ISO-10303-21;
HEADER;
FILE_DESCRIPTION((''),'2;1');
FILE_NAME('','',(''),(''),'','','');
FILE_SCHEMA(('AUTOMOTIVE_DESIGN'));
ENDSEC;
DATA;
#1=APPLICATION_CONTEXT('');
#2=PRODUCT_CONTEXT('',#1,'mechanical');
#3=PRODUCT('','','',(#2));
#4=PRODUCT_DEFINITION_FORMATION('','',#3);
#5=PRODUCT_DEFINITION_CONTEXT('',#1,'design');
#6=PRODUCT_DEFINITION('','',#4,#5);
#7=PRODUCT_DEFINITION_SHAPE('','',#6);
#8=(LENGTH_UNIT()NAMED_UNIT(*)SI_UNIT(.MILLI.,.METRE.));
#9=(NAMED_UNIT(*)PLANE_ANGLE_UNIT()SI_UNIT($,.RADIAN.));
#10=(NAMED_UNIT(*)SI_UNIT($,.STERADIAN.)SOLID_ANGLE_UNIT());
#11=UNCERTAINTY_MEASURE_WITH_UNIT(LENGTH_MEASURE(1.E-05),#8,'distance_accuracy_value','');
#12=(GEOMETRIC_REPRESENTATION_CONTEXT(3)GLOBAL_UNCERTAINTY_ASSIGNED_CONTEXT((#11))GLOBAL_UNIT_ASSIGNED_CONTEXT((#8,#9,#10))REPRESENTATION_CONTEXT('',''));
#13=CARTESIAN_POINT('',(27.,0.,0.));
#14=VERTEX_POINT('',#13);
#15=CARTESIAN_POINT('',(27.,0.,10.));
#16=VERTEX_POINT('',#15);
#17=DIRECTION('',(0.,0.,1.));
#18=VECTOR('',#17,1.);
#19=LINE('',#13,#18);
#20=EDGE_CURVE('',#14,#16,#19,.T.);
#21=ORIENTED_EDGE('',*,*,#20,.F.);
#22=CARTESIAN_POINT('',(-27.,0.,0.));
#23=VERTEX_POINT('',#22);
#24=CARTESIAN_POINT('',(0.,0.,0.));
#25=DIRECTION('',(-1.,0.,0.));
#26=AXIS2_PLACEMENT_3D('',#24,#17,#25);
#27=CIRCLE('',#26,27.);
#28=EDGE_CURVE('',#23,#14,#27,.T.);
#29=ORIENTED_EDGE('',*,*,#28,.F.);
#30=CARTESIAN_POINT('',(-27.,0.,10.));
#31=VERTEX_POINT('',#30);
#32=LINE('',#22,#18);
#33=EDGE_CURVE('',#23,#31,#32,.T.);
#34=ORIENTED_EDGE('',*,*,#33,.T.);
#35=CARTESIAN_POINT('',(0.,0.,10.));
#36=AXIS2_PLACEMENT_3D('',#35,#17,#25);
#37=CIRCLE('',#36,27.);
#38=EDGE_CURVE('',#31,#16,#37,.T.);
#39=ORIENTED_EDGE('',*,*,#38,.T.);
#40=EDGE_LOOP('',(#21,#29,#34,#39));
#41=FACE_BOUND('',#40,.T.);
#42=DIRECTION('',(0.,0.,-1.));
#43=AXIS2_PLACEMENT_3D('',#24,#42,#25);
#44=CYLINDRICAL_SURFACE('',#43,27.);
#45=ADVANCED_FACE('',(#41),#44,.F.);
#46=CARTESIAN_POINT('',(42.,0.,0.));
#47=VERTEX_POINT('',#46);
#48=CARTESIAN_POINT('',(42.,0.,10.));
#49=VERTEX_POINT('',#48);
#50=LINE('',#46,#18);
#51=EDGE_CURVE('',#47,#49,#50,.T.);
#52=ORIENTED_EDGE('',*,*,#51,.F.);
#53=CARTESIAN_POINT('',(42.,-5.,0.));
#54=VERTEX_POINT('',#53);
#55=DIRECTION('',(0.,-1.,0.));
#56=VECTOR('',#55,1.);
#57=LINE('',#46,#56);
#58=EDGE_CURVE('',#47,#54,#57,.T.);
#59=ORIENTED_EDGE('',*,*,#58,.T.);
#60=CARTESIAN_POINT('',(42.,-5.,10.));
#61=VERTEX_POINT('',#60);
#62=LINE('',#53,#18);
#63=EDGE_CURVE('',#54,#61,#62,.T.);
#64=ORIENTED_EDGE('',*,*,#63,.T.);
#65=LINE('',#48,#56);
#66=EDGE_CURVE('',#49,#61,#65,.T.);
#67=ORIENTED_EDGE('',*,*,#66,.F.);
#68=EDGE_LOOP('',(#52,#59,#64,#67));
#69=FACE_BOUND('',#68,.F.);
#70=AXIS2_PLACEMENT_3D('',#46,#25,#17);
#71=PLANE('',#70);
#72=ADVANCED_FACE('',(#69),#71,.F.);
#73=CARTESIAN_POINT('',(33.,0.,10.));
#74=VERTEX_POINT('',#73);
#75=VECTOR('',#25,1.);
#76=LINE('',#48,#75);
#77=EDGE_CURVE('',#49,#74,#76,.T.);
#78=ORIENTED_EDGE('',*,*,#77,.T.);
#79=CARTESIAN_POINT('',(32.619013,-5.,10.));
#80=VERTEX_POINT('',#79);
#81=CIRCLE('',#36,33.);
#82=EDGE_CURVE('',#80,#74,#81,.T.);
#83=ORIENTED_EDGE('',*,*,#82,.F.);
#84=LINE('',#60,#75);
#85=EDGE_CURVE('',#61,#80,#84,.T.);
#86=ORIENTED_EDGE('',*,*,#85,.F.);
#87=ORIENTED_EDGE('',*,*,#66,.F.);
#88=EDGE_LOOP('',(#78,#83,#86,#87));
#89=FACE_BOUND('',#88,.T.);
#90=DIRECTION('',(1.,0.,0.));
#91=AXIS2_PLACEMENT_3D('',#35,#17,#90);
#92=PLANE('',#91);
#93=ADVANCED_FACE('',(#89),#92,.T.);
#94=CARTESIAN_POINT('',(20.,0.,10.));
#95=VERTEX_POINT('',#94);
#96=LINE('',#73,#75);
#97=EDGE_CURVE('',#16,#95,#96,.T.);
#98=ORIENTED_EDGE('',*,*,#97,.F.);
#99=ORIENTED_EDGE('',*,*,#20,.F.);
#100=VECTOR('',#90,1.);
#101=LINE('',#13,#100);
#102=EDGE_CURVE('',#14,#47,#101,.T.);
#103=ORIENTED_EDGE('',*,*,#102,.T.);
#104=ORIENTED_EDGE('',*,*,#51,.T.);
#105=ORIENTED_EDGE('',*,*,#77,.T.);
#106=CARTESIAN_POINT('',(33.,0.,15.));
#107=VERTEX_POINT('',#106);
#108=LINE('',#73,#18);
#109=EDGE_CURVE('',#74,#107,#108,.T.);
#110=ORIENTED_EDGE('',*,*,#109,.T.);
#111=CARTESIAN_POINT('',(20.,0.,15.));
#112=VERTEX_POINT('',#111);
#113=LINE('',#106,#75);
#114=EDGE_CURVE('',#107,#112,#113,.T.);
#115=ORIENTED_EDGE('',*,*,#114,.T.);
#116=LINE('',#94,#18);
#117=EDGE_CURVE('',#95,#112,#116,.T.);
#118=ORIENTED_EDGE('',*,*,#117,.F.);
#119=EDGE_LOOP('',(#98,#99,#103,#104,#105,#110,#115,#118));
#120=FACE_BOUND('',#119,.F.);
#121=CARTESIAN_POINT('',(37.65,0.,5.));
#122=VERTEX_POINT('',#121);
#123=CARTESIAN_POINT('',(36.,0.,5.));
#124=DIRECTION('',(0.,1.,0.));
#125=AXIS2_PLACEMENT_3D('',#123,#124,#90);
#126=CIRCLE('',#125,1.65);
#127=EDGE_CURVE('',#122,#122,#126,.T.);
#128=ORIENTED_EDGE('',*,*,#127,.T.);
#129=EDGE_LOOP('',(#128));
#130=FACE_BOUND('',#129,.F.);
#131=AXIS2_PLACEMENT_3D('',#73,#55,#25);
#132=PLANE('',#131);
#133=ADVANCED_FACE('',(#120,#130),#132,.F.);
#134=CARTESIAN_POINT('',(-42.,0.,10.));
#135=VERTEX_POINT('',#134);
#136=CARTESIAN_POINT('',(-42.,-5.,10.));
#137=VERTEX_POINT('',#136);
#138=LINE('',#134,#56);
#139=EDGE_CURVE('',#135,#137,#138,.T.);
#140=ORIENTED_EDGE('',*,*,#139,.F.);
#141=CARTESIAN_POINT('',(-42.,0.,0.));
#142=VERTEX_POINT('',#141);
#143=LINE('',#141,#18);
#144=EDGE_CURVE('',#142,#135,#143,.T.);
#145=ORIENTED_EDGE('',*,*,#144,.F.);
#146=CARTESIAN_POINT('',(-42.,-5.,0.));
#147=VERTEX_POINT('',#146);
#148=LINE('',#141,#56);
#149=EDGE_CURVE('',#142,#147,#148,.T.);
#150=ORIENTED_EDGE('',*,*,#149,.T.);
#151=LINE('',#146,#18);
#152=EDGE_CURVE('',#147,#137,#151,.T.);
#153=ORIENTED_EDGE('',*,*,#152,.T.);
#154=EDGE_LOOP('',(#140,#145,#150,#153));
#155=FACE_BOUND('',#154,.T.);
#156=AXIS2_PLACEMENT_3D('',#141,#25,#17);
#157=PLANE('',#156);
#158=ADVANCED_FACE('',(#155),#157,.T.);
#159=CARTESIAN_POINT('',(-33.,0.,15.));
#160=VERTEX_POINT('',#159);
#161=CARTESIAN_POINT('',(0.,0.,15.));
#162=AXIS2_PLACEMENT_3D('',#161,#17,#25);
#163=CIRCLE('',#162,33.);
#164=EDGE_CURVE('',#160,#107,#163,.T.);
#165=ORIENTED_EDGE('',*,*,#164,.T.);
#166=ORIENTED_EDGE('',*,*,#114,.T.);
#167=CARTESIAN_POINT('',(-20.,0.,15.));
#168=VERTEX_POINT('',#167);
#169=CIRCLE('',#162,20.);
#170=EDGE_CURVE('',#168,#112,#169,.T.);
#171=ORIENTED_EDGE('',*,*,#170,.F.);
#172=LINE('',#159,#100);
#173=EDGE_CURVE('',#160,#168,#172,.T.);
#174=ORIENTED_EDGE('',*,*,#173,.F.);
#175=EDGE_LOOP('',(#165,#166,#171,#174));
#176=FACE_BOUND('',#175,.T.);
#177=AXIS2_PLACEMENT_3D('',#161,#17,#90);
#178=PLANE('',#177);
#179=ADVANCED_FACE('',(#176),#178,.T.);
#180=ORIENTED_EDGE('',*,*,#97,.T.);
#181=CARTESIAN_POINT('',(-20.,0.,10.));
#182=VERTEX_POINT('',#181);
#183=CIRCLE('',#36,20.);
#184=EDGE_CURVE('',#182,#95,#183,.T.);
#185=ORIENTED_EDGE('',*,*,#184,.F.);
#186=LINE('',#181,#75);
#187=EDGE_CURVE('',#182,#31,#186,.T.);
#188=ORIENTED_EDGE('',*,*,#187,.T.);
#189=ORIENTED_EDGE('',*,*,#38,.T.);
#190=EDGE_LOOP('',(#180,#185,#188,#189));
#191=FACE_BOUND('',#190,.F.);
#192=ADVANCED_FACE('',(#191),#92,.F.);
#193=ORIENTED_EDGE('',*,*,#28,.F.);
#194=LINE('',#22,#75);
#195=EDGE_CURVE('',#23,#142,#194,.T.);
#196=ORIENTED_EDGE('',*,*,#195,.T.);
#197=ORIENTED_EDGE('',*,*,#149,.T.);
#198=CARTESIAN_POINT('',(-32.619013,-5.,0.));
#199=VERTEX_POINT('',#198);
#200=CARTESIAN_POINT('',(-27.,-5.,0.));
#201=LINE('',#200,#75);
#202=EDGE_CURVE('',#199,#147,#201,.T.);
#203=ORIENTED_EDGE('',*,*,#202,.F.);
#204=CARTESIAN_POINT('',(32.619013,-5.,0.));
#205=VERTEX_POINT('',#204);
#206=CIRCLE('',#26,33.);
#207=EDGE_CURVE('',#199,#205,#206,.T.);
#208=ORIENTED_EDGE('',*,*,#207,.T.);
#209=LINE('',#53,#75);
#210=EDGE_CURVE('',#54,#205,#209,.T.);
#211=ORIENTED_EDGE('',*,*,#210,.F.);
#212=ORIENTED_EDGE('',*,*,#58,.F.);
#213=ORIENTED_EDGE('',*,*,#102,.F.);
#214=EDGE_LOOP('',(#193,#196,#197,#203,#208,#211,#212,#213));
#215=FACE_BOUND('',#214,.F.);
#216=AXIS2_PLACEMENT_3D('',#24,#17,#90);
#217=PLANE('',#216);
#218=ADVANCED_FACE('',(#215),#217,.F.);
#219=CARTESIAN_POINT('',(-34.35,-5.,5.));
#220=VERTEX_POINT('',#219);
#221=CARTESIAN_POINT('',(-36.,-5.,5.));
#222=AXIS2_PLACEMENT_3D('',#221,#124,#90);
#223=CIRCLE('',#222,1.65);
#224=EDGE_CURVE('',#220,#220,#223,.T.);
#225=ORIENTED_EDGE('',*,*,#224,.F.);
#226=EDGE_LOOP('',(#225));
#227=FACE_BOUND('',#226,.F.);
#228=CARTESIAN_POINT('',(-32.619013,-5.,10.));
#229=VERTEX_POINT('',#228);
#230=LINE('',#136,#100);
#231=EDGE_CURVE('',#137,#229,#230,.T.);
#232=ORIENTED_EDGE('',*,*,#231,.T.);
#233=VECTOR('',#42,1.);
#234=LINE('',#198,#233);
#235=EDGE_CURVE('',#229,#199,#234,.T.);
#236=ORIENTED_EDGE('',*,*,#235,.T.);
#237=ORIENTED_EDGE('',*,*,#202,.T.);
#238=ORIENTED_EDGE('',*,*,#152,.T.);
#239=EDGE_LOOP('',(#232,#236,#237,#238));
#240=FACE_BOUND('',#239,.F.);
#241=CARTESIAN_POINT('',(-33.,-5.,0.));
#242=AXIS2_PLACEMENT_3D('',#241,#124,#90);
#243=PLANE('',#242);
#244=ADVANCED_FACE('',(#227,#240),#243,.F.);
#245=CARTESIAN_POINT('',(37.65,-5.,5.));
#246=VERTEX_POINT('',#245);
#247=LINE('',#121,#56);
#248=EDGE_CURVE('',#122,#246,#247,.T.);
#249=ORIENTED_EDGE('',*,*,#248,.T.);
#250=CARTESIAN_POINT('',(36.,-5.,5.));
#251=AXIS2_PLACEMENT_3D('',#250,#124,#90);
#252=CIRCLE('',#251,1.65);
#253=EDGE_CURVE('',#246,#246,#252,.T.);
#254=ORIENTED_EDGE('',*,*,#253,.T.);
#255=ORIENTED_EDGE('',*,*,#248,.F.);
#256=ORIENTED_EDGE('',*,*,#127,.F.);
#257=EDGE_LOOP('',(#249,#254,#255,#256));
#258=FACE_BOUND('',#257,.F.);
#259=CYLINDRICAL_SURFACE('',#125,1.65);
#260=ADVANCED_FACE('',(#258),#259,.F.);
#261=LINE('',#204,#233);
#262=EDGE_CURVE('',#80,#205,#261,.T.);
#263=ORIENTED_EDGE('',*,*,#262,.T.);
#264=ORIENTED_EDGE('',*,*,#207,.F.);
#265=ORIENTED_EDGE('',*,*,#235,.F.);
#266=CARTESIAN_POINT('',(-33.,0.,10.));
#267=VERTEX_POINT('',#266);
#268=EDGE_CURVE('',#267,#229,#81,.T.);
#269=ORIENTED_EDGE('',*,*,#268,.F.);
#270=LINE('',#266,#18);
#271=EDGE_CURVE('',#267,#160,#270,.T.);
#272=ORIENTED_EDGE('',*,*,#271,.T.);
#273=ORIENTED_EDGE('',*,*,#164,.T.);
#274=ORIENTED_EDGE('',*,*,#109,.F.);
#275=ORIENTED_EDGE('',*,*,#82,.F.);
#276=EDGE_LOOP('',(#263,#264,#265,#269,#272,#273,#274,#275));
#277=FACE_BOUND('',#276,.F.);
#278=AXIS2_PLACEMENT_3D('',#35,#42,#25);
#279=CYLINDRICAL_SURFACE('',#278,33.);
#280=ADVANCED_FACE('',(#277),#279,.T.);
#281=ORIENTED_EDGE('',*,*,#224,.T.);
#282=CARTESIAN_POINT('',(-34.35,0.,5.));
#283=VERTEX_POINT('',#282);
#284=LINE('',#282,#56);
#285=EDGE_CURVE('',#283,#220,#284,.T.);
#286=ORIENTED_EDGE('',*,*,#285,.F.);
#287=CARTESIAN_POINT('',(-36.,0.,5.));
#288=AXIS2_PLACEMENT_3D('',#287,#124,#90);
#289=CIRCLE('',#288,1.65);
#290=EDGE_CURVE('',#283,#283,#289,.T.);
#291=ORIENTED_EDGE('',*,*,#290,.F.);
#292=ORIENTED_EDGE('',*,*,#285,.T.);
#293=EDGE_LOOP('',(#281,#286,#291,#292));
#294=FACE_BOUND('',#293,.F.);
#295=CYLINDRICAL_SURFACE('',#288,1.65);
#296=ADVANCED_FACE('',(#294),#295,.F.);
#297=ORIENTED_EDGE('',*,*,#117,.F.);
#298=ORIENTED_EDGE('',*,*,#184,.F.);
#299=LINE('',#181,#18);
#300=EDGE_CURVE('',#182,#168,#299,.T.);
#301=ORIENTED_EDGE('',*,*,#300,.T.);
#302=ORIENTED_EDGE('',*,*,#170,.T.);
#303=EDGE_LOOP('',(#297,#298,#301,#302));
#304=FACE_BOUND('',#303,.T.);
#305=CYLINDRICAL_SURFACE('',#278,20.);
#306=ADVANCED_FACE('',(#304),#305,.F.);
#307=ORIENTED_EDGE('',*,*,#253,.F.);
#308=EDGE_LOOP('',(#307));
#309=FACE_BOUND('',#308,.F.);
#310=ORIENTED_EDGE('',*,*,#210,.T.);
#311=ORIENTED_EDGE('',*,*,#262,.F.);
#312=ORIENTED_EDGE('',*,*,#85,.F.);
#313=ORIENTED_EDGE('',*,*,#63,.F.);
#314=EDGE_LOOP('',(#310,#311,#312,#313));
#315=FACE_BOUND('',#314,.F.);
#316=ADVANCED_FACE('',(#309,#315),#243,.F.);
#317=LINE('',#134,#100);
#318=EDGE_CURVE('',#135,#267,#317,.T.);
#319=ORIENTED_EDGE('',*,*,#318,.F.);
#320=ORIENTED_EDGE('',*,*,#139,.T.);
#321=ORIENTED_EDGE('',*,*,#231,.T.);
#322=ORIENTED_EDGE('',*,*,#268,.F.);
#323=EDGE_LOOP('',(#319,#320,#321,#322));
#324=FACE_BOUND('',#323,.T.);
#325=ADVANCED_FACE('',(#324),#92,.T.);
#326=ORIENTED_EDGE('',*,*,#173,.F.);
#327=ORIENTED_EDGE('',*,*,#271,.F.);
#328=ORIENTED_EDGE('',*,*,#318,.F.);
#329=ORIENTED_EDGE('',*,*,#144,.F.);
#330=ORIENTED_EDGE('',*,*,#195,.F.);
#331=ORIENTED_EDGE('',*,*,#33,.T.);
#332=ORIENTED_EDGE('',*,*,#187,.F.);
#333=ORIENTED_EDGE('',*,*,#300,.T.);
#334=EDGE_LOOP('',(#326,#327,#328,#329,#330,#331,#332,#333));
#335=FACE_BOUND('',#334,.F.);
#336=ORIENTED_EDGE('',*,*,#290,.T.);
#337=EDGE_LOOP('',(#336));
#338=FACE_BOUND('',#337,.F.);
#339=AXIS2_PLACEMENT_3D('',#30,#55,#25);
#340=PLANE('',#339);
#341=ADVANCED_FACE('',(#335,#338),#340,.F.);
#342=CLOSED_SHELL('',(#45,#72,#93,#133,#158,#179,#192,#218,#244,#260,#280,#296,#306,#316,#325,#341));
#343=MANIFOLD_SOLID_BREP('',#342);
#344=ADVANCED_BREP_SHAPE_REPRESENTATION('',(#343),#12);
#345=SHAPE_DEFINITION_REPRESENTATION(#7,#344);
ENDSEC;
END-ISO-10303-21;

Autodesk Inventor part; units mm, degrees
ref_plane "YZ Plane" through (0, 0, 0) normal (1, 0, 0) x (0, 1, 0)
ref_plane "XZ Plane" through (0, 0, 0) normal (0, 1, 0) x (-1, 0, 0)
ref_plane "XY Plane" through (0, 0, 0) normal (0, 0, 1) x (1, 0, 0)
sketch "Sketch1" plane through (0, 0, 0) normal (0, 0, 1) x (1, 0, 0)
  arc A0 (-33, 0) -> (33, 0) centre (0, 0) ccw
  arc A1 (-27, 0) -> (27, 0) centre (0, 0) ccw
  line L0 (-33, 0) -> (-27, 0)
  line L1 (27, 0) -> (33, 0)
  dimension "d0" = 66
  dimension "d1" = 54
extrude "Extrusion1" add sketch "Sketch1" along normal blind 10
sketch "Sketch2" plane through (-33, 0, 0) normal (0, 1, 0) x (1, 0, 0)
  line L0 (6, 0) -> (6, -10) projected
  line L1 (6, 0) -> (-9, 0)
  line L2 (-9, 0) -> (-9, -10)
  line L3 (-9, -10) -> (6, -10)
  line L4 (6, -10) -> (6, 0)
  line L5 (66, 0) -> (60, 0) projected
  line L6 (60, 0) -> (75, 0)
  line L7 (75, 0) -> (75, -10)
  line L8 (75, -10) -> (60, -10)
  line L9 (60, -10) -> (60, 0)
  point P0 (33, 0)
  dimension "d4" = 15
extrude "Extrusion2" add sketch "Sketch2" against normal blind 5
sketch "Sketch3" plane through (-27, 0, 10) normal (0, 1, 0) x (1, 0, 0)
  circle A0 centre (-9, 5) radius 1.65
  circle A1 centre (63, 5) radius 1.65
  line L0 (0, 10) -> (-15, 10) projected
  line L1 (-15, 10) -> (-15, 0) projected
  line L2 (69, 10) -> (54, 10) projected
  line L3 (69, 0) -> (69, 10) projected
  point P0 (27, 10)
  dimension "d7" = 5
  dimension "d8" = 6
  dimension "d9" = 5
  dimension "d10" = 6
  dimension "d11" = 3.3
extrude "Extrusion3" cut sketch "Sketch3" against normal blind 5
sketch "Sketch4" plane through (0, 0, 10) normal (0, 0, 1) x (1, 0, 0)
  arc A0 (-33, 0) -> (33, 0) centre (0, 0) ccw
  arc A1 (-20, 0) -> (20, 0) centre (0, 0) ccw
  line L0 (-27, 0) -> (-42, 0) projected
  line L1 (33, 0) -> (20, 0)
  line L2 (-20, 0) -> (-33, 0)
  dimension "d14" = 40
  dimension "d15" = 66
extrude "Extrusion4" add sketch "Sketch4" along normal blind 5
properties part number "22010B_Tube End Support_V1" material "ABS Plastic"
